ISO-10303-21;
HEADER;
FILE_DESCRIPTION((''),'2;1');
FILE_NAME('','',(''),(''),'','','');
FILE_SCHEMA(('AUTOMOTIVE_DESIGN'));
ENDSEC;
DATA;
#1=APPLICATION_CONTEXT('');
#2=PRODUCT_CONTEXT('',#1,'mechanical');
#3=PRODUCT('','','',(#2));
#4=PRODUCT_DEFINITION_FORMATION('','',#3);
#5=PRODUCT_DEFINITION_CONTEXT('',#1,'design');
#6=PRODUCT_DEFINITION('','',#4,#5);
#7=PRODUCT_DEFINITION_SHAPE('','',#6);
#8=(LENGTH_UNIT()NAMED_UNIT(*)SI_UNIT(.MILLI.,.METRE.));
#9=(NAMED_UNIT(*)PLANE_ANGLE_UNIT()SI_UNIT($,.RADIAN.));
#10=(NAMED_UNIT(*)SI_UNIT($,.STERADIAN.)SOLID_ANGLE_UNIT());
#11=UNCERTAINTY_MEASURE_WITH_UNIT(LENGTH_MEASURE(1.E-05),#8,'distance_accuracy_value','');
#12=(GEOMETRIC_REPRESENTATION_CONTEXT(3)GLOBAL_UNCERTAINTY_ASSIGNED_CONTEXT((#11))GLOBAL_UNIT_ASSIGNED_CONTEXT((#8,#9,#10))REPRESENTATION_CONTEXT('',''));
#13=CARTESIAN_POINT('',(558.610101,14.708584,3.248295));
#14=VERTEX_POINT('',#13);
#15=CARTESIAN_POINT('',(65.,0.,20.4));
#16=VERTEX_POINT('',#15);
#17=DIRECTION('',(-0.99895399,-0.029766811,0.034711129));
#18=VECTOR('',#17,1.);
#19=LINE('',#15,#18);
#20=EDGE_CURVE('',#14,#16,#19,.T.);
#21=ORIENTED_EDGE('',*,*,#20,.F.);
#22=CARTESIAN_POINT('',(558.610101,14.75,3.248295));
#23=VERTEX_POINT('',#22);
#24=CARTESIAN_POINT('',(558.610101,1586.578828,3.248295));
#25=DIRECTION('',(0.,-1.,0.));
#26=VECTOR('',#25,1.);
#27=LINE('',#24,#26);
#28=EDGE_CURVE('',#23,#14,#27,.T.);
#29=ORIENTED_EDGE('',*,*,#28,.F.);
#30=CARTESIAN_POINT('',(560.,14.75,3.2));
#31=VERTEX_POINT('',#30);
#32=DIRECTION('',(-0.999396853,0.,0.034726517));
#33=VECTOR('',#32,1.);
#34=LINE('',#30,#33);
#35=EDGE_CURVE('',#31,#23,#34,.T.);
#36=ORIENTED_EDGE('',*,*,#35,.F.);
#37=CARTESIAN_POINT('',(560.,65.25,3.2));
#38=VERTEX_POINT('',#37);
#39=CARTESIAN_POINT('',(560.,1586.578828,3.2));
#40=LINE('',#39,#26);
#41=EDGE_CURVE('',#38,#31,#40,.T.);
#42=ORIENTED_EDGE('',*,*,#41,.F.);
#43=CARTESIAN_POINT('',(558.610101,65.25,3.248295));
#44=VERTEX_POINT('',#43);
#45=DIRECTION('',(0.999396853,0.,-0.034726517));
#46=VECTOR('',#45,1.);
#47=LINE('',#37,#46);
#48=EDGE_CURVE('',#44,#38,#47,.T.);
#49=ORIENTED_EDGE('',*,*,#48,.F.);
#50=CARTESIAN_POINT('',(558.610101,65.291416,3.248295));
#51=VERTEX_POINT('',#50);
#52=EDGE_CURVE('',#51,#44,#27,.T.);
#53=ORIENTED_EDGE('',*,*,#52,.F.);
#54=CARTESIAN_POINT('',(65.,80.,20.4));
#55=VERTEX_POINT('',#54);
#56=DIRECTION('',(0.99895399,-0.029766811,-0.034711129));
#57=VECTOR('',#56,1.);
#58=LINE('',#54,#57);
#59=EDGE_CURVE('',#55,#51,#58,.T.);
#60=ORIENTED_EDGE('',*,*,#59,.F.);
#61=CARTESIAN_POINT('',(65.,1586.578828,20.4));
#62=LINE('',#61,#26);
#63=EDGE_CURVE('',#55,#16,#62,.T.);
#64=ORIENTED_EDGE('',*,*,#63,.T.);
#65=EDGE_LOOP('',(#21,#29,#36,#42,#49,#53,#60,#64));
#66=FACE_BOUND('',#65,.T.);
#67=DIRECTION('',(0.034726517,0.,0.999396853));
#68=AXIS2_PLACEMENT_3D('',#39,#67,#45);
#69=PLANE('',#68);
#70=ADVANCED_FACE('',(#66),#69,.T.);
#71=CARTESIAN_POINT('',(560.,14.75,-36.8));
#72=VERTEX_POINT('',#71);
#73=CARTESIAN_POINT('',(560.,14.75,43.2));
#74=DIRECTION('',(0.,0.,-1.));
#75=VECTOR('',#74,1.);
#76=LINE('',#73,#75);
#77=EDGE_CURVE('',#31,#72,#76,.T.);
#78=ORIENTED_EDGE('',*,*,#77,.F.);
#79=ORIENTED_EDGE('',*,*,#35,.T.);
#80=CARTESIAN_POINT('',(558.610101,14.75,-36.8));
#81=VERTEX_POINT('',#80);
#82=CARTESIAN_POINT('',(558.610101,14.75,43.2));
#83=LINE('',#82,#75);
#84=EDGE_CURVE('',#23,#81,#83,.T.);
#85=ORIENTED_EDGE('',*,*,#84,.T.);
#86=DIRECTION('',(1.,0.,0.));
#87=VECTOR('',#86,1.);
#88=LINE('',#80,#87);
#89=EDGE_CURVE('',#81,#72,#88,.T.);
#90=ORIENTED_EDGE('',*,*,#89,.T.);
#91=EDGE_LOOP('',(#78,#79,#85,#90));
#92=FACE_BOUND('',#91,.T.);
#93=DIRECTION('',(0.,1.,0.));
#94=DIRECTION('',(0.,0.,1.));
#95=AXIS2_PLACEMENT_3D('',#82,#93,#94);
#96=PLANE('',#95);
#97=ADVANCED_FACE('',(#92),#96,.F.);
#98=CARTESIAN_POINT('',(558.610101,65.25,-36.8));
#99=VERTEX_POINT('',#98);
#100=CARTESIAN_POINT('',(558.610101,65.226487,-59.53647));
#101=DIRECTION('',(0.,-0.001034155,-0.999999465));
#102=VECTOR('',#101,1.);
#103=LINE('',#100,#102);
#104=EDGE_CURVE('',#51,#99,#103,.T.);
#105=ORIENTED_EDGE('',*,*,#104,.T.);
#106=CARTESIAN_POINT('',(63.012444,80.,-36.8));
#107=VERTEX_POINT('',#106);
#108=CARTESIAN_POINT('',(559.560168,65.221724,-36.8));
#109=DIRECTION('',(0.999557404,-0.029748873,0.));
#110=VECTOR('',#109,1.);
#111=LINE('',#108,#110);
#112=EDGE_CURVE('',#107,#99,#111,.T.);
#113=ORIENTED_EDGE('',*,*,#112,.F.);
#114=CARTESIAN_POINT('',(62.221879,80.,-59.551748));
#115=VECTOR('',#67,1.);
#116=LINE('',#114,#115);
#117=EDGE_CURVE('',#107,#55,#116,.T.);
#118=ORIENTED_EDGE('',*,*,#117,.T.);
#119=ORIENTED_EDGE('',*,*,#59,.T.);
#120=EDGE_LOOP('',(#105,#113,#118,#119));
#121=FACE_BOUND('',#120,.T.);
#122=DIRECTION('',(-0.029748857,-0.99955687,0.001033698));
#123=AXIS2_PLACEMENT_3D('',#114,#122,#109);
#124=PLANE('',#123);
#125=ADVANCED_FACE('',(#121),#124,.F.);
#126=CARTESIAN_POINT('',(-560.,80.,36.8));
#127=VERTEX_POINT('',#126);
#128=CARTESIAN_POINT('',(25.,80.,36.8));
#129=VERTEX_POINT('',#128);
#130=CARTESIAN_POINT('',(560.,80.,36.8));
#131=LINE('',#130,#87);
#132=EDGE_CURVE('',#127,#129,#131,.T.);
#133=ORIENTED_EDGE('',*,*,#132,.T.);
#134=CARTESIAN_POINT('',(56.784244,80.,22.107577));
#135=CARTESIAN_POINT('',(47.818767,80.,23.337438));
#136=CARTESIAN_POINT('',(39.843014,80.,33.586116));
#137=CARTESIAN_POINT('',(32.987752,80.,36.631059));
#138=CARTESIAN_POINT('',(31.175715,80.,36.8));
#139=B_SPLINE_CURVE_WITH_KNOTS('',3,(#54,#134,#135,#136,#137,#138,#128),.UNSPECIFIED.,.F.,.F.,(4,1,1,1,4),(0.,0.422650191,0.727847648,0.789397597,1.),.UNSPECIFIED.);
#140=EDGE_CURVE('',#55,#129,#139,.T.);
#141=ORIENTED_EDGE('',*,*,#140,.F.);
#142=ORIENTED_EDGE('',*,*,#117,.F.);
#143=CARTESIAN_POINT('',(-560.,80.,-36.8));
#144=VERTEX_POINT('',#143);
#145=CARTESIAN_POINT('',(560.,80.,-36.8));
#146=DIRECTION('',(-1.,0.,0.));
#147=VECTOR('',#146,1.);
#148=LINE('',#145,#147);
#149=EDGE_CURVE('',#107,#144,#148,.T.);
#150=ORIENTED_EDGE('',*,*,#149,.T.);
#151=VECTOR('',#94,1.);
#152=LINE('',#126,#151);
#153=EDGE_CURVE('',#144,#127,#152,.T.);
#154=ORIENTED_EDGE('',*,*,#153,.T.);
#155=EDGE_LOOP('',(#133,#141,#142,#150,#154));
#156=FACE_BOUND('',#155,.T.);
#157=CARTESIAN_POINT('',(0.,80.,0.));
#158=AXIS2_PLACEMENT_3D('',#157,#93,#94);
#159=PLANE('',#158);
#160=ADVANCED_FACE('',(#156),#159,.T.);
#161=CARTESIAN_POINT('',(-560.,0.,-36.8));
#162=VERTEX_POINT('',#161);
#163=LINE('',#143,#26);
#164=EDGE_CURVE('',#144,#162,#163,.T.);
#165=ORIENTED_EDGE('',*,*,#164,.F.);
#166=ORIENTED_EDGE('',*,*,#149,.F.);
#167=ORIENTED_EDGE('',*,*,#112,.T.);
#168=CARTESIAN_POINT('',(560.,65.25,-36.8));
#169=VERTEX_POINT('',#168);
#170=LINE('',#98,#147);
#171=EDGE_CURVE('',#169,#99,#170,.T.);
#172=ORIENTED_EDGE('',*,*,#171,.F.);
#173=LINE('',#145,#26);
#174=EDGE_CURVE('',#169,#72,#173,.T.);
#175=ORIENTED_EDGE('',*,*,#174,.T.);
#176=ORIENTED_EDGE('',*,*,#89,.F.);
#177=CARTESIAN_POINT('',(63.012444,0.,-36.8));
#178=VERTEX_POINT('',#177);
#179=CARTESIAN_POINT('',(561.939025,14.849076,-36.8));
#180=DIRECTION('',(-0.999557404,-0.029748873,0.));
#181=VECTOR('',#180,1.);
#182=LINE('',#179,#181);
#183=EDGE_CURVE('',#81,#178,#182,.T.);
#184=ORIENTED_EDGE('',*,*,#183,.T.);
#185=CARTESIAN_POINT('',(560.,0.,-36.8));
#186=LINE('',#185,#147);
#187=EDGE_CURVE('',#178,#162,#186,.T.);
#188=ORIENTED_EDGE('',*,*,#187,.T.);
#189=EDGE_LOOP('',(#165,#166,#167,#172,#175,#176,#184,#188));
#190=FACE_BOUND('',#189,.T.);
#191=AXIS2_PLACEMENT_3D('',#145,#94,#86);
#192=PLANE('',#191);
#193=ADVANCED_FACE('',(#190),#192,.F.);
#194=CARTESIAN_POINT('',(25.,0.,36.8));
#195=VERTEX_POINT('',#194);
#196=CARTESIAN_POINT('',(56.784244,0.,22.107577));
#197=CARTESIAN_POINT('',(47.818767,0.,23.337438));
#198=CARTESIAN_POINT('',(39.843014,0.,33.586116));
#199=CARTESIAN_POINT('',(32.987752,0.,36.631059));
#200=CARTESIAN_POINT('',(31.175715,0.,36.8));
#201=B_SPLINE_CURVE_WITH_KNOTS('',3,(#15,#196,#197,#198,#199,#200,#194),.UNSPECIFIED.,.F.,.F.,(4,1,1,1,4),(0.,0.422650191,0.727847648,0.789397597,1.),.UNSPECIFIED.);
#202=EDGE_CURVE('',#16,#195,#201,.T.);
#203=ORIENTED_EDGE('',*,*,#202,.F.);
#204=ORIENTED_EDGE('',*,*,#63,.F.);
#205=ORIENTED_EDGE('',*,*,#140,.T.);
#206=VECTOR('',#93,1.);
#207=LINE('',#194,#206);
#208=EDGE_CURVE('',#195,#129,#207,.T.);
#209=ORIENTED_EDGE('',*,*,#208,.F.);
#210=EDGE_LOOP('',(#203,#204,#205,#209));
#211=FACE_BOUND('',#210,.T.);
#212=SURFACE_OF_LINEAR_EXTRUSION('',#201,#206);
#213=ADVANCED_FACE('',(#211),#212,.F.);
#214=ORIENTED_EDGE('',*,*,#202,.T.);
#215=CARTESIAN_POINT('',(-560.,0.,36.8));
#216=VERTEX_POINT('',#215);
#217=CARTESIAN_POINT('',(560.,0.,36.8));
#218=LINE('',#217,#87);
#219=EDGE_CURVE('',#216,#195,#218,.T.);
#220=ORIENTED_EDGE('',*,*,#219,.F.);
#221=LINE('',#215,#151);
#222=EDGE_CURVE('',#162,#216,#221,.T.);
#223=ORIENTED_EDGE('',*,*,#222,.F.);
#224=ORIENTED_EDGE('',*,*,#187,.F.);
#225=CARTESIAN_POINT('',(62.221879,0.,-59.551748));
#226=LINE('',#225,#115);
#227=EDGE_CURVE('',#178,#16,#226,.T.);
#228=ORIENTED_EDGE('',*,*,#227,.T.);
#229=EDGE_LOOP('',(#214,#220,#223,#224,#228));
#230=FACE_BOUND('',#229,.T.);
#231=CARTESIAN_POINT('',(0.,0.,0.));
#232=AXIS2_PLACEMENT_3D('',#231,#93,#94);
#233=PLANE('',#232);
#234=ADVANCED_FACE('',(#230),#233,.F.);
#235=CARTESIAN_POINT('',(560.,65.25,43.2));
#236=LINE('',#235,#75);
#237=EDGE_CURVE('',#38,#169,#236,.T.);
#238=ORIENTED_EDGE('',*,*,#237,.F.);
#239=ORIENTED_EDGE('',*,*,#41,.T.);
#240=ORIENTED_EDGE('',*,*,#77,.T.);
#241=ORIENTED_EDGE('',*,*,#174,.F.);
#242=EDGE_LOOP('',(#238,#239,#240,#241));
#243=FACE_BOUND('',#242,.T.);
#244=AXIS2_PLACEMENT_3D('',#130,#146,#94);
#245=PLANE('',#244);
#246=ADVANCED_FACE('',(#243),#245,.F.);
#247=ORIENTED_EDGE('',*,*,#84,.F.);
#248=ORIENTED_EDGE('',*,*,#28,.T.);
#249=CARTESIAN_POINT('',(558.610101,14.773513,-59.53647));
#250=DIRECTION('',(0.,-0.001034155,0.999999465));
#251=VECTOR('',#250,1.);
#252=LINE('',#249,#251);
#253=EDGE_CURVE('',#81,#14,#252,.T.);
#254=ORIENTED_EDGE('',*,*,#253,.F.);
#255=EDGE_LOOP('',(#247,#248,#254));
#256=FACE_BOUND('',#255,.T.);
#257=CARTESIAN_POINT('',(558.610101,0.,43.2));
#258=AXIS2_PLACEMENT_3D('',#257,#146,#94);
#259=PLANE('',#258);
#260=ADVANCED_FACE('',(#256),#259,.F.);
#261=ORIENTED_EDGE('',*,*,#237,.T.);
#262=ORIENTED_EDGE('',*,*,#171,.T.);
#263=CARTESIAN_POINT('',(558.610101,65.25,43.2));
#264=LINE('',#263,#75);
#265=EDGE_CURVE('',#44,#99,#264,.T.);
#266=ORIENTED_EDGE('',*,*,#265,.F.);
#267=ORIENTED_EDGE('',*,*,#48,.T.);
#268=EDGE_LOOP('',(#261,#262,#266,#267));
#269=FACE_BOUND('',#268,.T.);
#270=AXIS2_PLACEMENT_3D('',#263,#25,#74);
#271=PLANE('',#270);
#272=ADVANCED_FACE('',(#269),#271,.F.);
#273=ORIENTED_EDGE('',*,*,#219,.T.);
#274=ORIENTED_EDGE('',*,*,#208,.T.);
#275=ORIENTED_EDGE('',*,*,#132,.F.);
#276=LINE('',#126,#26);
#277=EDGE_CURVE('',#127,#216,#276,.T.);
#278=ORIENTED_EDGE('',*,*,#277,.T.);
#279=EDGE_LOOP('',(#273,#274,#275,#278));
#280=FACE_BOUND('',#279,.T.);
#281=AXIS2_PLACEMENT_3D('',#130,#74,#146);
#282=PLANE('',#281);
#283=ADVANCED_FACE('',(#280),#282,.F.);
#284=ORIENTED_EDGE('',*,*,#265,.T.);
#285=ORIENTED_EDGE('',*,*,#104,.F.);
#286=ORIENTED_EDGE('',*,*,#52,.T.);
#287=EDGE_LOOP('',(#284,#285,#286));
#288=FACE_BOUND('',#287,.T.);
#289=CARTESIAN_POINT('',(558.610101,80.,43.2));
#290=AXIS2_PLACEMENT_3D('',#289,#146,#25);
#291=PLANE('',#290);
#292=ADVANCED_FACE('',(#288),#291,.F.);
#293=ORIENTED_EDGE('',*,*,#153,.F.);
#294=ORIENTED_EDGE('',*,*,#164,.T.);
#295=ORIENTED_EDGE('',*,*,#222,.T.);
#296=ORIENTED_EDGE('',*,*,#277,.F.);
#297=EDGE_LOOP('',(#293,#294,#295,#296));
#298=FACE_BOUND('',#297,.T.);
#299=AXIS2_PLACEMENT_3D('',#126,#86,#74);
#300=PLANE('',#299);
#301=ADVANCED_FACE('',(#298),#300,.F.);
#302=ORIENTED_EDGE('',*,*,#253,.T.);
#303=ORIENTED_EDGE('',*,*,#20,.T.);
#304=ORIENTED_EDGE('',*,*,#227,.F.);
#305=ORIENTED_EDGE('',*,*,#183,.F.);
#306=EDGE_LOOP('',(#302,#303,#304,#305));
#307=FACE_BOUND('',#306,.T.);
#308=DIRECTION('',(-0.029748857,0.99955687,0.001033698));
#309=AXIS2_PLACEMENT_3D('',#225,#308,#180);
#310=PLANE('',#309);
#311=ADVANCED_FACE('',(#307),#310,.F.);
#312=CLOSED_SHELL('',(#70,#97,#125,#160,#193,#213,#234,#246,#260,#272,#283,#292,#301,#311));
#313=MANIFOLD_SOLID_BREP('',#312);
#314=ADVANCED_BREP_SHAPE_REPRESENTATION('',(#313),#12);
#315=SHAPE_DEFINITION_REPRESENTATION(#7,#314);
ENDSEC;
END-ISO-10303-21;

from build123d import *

# Parameters (mm, degrees)
CROQUIS1_W                 = 1120
CROQUIS1_H                 = 73.6
SALIENTE_EXTRUIR2_DEPTH    = 80
CORTAR_EXTRUIR1_DEPTH      = 567.881151565
CORTAR_EXTRUIR1_DEPTH_BACK = 80
CORTAR_EXTRUIR2_DEPTH      = 80
CORTAR_EXTRUIR6_DEPTH      = 80
CROQUIS9_W                 = 1.38989899
CROQUIS9_H                 = 14.75
CORTAR_EXTRUIR7_DEPTH      = 80
CORTAR_EXTRUIR11_DEPTH     = 80
CROQUIS11_W                = 1.38989899
CROQUIS11_H                = 14.75
CORTAR_EXTRUIR12_DEPTH     = 80


with BuildPart() as part:
    # Croquis1 → Saliente-Extruir2 (new body)
    with BuildSketch(Plane(origin=(0, 0, 0), x_dir=(-1, 0, 0), z_dir=(0, 1, 0))):
        Rectangle(CROQUIS1_W, CROQUIS1_H)
    extrude(amount=SALIENTE_EXTRUIR2_DEPTH)

    # Croquis3 → Cortar-Extruir1 (cut, two sides: drawn at the far end of the back side and taken through both)
    with BuildSketch(Plane(origin=(0, 80, 0), x_dir=(-1, 0, 0), z_dir=(0, 1, 0)).offset(-CORTAR_EXTRUIR1_DEPTH_BACK)):
        Polygon((-2813.471365519, -75.102439368), (-560, 3.2), (-65, 20.4), (-65, 36.8), (-560, 36.8), (-2814.831361149, 36.8), (-7324.161069919, -18.003708809), (-7322.801074288, -129.906148176), align=None)
    extrude(amount=CORTAR_EXTRUIR1_DEPTH + CORTAR_EXTRUIR1_DEPTH_BACK, mode=Mode.SUBTRACT)

    # Croquis5 → Cortar-Extruir2 (cut)
    with BuildSketch(Plane(origin=(0, 80, 0), x_dir=(-1, 0, 0), z_dir=(0, 1, 0))):
        with BuildLine():
            Line((-65, 20.4), (-65, 36.8))
            Line((-65, 36.8), (-25, 36.8))
            add(Edge.make_bspline(
                [(-65, 20.4), (-56.784244263, 22.107577244), (-47.818766965, 23.337438109), (-39.843013972, 33.586115732), (-32.987752431, 36.631059032), (-31.175714622, 36.8), (-25, 36.8)],
                knots=[0, 0, 0, 0, 0.422650191, 0.727847648, 0.789397597, 1, 1, 1, 1], degree=3))
        make_face()
    extrude(amount=-CORTAR_EXTRUIR2_DEPTH, mode=Mode.SUBTRACT)

    # Croquis6 → Cortar-Extruir6 (cut)
    with BuildSketch(Plane(origin=(0.786379176, 0, 22.631261168), x_dir=(0.9993968526186474, 0, -0.0347265168990722), z_dir=(0.0347265168990722, 0, 0.9993968526186474))):
        Polygon((64.252374475, 0), (559.551112612, 0), (559.551112612, 14.75), align=None)
    extrude(amount=-CORTAR_EXTRUIR6_DEPTH, mode=Mode.SUBTRACT)

    # Croquis9 → Cortar-Extruir7 (cut)
    with BuildSketch(Plane(origin=(0, 0, -36.8), x_dir=(1, 0, 0), z_dir=(0, 0, -1))):
        with Locations((559.305050505, -7.375)):
            Rectangle(CROQUIS9_W, CROQUIS9_H)
    extrude(amount=-CORTAR_EXTRUIR7_DEPTH, mode=Mode.SUBTRACT)

    # Croquis10 → Cortar-Extruir11 (cut)
    with BuildSketch(Plane(origin=(0.786379176, 0, 22.631261168), x_dir=(0.9993968526186474, 0, -0.0347265168990722), z_dir=(0.0347265168990722, 0, 0.9993968526186474))):
        Polygon((64.252374475, 80), (559.551112612, 65.25), (559.551112612, 80), align=None)
    extrude(amount=-CORTAR_EXTRUIR11_DEPTH, mode=Mode.SUBTRACT)

    # Croquis11 → Cortar-Extruir12 (cut)
    with BuildSketch(Plane(origin=(0, 0, -36.8), x_dir=(1, 0, 0), z_dir=(0, 0, -1))):
        with Locations((559.305050505, -72.625)):
            Rectangle(CROQUIS11_W, CROQUIS11_H)
    extrude(amount=-CORTAR_EXTRUIR12_DEPTH, mode=Mode.SUBTRACT)


solid = part.part
